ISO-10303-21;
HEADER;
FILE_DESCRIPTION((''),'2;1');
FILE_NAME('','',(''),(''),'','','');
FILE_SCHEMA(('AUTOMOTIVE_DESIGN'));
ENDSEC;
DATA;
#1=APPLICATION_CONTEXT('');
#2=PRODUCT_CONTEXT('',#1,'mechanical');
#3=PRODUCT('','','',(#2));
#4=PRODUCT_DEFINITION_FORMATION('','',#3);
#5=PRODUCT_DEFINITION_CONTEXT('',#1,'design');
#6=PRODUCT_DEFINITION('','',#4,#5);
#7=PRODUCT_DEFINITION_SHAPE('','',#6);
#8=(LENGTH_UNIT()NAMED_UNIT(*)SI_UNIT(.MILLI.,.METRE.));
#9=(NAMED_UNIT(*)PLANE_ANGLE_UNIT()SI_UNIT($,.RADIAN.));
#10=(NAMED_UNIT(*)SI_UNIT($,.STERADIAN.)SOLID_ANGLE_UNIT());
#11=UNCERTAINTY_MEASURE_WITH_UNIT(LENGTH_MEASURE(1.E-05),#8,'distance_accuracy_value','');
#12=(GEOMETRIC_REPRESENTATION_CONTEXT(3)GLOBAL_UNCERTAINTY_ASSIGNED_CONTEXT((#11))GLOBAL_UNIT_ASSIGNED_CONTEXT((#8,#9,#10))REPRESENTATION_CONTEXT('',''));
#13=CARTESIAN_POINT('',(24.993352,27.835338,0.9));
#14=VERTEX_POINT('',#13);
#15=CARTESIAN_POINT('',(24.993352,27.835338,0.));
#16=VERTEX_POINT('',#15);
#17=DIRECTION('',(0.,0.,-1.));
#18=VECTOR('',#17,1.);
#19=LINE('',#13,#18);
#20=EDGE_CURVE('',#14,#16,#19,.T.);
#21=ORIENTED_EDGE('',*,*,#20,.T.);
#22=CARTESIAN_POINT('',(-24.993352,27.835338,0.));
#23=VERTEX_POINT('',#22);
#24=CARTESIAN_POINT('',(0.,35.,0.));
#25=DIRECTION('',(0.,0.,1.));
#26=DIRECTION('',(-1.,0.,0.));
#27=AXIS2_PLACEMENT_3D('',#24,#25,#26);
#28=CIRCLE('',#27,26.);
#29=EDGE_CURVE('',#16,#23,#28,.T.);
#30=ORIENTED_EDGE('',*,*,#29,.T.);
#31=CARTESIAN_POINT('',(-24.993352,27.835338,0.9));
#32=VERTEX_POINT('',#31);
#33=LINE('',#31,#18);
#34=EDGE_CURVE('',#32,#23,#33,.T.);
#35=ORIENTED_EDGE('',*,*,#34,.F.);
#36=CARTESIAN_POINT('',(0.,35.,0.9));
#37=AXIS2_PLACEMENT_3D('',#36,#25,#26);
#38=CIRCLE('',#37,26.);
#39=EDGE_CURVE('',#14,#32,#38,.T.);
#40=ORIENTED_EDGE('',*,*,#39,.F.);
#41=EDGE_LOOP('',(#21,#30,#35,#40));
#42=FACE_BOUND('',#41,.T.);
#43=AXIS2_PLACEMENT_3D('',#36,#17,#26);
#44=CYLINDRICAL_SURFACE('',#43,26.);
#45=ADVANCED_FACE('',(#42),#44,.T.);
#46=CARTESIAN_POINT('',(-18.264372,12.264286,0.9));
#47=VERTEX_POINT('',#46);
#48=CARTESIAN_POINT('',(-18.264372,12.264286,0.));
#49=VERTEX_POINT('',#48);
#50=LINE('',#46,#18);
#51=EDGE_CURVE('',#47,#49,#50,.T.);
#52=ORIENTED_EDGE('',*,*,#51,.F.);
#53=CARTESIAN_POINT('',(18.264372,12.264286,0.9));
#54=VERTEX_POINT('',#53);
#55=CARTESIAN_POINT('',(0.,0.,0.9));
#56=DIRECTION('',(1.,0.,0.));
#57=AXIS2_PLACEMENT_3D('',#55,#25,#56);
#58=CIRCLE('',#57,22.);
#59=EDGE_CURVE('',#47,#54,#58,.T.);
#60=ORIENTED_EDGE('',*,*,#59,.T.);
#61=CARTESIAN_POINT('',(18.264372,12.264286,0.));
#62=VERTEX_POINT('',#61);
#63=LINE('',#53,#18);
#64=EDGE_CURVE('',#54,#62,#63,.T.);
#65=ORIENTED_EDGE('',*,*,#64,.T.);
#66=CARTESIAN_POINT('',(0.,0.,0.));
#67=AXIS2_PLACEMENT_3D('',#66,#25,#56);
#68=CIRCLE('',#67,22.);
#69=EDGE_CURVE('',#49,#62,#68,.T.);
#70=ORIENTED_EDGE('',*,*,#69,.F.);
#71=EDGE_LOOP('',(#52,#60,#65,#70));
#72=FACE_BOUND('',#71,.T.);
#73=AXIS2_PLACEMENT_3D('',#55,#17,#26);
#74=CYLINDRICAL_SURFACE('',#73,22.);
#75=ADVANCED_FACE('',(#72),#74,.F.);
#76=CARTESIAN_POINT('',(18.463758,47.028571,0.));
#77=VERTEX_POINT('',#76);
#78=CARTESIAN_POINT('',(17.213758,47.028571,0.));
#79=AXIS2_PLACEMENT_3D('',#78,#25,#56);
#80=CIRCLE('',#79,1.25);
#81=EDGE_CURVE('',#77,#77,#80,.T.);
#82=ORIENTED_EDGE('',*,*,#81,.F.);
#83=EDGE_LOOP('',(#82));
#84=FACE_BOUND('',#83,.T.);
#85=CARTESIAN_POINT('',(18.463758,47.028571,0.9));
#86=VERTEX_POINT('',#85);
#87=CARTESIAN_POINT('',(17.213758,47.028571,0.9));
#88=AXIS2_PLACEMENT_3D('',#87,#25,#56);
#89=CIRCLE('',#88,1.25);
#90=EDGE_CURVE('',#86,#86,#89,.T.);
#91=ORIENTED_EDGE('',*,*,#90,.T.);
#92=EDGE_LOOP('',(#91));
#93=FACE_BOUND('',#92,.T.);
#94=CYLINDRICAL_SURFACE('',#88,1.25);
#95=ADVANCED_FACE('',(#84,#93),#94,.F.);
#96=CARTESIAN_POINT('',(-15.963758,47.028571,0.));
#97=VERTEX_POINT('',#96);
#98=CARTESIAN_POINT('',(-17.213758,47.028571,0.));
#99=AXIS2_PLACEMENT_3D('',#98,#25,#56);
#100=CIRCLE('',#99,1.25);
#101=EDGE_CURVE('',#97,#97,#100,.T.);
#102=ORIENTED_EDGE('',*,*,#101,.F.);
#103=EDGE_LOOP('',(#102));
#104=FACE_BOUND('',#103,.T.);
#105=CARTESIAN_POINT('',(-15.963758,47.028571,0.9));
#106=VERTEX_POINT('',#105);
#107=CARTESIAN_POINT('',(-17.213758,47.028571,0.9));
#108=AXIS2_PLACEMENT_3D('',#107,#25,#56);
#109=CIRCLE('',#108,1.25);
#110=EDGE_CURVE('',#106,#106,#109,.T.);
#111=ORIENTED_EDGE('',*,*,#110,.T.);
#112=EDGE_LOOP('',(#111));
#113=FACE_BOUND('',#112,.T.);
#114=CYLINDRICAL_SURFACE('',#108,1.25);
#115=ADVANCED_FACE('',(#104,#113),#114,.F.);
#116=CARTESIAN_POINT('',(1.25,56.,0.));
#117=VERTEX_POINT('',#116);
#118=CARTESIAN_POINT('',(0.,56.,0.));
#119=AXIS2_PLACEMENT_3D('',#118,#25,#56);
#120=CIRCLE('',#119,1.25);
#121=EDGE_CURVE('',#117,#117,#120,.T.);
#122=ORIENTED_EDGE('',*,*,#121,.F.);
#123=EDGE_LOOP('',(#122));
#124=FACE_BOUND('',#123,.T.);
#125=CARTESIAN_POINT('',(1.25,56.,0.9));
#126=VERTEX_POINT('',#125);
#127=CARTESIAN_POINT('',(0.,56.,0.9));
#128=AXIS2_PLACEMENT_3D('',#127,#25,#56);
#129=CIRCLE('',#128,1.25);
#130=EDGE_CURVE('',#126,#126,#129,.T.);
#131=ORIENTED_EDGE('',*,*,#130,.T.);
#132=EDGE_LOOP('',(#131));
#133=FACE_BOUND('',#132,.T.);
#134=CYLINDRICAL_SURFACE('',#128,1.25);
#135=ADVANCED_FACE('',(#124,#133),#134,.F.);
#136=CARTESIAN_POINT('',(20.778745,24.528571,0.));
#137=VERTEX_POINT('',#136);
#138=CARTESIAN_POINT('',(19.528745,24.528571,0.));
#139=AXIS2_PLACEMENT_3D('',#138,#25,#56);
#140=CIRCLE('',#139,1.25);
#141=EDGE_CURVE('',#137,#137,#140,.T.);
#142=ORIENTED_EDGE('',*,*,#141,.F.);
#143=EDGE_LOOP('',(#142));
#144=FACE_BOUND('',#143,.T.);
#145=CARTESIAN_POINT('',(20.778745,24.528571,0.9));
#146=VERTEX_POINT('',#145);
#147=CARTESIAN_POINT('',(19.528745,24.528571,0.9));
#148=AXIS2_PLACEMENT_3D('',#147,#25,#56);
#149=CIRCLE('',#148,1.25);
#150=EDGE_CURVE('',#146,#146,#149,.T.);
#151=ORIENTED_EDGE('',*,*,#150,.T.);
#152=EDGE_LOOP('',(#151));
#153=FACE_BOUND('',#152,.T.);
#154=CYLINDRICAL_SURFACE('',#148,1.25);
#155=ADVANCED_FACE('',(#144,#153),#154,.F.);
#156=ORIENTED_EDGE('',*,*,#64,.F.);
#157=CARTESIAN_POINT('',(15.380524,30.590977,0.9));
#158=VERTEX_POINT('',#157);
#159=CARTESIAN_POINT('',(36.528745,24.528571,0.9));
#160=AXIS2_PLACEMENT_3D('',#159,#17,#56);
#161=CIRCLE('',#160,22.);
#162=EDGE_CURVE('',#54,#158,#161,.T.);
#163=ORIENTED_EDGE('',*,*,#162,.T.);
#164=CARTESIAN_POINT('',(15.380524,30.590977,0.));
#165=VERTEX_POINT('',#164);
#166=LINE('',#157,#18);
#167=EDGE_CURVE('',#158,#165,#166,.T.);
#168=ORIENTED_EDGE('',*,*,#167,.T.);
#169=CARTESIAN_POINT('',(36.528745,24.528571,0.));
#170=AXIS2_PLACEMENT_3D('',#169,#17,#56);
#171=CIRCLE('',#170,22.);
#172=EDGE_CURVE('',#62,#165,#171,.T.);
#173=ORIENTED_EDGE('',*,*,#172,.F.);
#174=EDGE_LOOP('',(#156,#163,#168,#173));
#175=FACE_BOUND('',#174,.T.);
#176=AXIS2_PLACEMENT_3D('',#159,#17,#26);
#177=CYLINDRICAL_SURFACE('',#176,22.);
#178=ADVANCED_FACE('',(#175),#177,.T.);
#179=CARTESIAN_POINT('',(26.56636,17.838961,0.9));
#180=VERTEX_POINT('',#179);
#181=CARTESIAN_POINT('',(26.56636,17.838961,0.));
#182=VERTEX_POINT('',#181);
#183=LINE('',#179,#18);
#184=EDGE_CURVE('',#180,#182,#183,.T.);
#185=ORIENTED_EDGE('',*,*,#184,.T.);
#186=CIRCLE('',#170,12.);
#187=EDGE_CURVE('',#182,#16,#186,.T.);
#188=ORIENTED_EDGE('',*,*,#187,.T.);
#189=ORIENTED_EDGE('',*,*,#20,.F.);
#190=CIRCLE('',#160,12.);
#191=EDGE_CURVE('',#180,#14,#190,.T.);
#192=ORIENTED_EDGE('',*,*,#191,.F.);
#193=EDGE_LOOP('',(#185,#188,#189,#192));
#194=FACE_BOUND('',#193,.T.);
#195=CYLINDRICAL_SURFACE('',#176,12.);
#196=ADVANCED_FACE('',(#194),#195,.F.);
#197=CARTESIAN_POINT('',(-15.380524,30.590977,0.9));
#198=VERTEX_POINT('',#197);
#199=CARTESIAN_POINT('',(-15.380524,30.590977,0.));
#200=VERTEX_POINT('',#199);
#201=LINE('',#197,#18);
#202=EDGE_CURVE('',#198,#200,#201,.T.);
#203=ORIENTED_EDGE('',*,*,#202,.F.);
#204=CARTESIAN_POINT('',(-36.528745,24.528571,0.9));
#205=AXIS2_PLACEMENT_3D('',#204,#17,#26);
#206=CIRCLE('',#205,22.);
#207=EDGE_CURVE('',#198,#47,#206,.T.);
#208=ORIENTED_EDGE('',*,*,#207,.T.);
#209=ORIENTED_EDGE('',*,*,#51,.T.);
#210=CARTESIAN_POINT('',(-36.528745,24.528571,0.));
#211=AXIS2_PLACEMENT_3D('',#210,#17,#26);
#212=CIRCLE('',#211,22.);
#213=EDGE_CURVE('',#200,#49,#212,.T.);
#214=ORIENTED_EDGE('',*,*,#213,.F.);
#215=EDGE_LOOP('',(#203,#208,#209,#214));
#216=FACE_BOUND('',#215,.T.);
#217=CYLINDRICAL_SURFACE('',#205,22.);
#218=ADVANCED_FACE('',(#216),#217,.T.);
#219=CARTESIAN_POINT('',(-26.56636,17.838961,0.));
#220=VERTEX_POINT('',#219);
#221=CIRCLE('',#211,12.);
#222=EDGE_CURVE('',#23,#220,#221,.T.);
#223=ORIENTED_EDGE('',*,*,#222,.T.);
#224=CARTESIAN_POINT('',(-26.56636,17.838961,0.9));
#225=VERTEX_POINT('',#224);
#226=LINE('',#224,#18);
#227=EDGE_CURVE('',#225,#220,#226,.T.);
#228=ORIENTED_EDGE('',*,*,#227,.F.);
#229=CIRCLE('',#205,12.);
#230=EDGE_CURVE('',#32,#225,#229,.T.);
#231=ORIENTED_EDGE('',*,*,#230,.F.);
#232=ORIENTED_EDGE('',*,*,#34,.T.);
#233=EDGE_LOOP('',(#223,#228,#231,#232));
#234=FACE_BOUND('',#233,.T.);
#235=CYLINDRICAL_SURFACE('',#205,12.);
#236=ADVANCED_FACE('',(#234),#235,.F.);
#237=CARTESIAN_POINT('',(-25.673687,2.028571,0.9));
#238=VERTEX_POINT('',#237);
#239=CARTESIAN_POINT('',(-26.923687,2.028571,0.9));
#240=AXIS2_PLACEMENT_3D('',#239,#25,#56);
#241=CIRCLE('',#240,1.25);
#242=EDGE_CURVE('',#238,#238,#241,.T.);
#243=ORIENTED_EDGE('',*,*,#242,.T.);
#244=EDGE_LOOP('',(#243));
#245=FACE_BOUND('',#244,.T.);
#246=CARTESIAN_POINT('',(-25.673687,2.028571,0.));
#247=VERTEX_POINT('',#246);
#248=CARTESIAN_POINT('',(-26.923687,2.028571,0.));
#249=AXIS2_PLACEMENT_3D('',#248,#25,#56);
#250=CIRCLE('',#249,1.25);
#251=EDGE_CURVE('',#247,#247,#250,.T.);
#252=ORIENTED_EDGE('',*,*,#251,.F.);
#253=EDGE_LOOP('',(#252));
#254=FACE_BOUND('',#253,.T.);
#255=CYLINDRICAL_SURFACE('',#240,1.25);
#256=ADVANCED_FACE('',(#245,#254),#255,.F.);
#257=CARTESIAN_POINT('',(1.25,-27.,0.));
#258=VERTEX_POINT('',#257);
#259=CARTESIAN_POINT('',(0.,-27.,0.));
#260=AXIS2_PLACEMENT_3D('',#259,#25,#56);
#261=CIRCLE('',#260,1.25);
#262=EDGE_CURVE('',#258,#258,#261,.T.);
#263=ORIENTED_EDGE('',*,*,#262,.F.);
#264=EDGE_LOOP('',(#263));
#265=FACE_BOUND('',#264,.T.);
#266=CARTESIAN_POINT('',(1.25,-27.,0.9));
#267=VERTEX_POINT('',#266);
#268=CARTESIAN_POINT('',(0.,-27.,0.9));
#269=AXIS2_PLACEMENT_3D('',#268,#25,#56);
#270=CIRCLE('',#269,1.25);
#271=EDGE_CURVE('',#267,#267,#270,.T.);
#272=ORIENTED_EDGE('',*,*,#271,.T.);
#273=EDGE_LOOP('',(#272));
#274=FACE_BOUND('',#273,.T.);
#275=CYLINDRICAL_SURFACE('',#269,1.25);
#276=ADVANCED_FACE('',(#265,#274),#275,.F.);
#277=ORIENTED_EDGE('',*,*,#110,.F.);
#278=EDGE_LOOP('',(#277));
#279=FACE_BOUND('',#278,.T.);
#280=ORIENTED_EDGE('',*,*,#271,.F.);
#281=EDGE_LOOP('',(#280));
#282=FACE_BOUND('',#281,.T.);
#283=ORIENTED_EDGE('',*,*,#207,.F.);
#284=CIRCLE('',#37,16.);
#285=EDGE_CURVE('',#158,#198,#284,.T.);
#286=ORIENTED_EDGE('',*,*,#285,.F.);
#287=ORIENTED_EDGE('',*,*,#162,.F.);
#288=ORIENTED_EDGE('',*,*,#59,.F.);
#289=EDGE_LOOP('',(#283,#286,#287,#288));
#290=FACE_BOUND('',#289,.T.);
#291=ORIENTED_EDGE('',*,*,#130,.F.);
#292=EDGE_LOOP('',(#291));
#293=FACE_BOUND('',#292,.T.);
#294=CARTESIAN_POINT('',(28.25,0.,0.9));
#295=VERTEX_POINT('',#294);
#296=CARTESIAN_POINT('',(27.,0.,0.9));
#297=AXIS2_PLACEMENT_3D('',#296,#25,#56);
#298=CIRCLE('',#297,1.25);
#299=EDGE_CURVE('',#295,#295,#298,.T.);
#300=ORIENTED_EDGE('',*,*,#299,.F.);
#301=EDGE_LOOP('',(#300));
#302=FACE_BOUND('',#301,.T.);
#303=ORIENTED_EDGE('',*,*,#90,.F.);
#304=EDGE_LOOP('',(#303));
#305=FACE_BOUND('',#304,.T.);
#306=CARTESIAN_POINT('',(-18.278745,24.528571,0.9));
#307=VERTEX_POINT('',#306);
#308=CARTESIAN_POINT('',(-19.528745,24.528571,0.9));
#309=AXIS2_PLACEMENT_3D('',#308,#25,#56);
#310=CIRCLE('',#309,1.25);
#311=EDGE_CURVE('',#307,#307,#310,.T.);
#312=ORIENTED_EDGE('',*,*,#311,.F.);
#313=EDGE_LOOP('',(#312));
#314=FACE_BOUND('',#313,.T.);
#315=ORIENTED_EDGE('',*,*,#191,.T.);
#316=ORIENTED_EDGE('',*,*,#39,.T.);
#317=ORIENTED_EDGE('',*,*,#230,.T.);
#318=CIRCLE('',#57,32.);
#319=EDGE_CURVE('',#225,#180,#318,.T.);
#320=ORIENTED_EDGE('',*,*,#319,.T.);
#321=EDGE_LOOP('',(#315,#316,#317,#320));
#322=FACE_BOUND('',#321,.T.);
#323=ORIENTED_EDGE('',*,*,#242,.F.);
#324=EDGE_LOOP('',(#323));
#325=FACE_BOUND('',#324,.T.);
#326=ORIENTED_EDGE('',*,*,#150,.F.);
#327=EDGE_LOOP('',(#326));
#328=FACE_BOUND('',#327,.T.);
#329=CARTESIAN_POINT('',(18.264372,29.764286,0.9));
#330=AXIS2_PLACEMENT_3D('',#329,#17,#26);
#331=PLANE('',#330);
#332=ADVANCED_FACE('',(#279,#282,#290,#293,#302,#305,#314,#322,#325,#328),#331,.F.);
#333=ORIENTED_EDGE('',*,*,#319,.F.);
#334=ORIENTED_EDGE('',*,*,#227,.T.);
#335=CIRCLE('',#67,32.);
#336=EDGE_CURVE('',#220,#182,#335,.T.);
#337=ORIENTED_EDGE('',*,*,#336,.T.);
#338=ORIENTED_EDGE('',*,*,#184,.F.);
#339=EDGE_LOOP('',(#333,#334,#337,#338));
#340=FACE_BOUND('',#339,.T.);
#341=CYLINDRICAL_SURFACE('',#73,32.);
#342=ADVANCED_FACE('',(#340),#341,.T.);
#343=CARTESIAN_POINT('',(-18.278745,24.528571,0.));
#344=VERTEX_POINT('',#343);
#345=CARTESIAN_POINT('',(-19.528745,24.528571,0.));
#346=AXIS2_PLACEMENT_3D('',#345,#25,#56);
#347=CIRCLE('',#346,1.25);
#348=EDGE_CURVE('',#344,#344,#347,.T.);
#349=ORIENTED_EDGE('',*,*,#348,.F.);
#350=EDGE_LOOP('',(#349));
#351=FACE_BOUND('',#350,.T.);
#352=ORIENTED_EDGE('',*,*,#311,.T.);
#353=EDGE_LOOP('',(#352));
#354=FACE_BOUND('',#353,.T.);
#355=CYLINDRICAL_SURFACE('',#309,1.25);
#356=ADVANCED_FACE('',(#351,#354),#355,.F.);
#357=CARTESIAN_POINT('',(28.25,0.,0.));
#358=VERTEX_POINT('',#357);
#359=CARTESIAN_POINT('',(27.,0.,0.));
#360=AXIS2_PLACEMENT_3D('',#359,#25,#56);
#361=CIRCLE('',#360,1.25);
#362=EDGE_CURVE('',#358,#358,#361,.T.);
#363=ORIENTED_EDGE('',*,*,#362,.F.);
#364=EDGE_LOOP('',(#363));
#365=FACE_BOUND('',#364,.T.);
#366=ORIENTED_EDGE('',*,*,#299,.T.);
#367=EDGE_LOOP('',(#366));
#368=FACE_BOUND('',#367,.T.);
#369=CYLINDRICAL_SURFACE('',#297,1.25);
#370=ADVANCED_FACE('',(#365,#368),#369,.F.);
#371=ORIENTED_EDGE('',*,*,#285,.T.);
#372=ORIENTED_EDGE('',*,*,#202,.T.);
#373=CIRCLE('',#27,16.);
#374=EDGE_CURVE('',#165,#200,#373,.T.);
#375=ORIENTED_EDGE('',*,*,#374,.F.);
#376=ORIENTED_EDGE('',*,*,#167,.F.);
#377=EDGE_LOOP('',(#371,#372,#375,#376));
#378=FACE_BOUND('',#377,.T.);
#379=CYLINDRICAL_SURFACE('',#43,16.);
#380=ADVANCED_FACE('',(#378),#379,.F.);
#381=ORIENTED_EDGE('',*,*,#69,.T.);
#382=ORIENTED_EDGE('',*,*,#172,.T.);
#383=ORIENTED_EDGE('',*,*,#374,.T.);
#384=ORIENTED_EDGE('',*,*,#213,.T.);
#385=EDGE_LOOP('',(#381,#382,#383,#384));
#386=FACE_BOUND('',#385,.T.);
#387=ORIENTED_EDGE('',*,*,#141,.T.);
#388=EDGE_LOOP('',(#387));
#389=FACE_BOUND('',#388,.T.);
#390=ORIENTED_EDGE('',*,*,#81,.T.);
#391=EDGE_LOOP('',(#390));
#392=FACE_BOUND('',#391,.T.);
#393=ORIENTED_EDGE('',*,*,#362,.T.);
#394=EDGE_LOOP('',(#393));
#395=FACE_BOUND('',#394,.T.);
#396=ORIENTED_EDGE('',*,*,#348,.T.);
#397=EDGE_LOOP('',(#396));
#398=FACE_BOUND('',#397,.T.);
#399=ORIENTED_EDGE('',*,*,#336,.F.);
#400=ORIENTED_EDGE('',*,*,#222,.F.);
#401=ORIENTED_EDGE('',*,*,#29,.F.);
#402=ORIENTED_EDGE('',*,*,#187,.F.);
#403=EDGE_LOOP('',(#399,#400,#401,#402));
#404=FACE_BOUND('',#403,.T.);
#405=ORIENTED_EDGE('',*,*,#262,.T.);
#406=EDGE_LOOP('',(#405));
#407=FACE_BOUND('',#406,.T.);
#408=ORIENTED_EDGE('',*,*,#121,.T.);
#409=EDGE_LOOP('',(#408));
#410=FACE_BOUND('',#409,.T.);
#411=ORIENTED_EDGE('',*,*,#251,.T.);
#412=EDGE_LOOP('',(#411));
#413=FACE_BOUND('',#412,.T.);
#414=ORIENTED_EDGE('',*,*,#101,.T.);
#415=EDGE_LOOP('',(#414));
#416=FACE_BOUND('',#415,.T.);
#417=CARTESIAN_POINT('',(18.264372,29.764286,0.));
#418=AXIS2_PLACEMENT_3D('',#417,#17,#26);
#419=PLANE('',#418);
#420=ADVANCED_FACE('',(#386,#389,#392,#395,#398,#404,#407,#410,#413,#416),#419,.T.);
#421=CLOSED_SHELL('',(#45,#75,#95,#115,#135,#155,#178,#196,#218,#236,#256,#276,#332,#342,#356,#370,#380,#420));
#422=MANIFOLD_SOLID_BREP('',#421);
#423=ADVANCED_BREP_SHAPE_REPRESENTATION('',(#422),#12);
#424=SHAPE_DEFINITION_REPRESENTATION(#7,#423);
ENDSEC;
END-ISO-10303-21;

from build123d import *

# Parameters (mm, degrees)
BOSS_EXTRUDE1_DEPTH = 0.9
M3_TAPPED_HOLE1_D   = 2.5


with BuildPart() as part:
    # Sketch1 → Boss-Extrude1 (new body)
    with BuildSketch(Plane.XY):
        with BuildLine():
            ThreePointArc((-24.993351584, 27.835338346), (-24.67461016, 22.663230671), (-26.566359725, 17.838961039))
            ThreePointArc((-26.566359725, 17.838961039), (0, -32), (26.566359725, 17.838961039))
            ThreePointArc((26.566359725, 17.838961039), (24.67461016, 22.663230671), (24.993351584, 27.835338346))
            ThreePointArc((24.993351584, 27.835338346), (0, 61), (-24.993351584, 27.835338346))
        make_face()
        with BuildLine():
            ThreePointArc((-15.380524051, 30.590977444), (0, 51), (15.380524051, 30.590977444))
            ThreePointArc((15.380524051, 30.590977444), (14.796164774, 21.108780039), (18.264372311, 12.264285714))
            ThreePointArc((18.264372311, 12.264285714), (0, -22), (-18.264372311, 12.264285714))
            ThreePointArc((-18.264372311, 12.264285714), (-14.796164774, 21.108780039), (-15.380524051, 30.590977444))
        make_face(mode=Mode.SUBTRACT)
    extrude(amount=BOSS_EXTRUDE1_DEPTH)

    # M3 Tapped Hole1 (through all)
    with Locations(Plane.XY.offset(0.9)):
        with Locations((27, 0), (19.528744622, 24.528571429), (-19.528744622, 24.528571429), (-26.92368656, 2.028571429), (0, 56), (17.213758142, 47.028571429), (-17.213758142, 47.028571429), (0, -27)):
            Hole(M3_TAPPED_HOLE1_D / 2)


solid = part.part
